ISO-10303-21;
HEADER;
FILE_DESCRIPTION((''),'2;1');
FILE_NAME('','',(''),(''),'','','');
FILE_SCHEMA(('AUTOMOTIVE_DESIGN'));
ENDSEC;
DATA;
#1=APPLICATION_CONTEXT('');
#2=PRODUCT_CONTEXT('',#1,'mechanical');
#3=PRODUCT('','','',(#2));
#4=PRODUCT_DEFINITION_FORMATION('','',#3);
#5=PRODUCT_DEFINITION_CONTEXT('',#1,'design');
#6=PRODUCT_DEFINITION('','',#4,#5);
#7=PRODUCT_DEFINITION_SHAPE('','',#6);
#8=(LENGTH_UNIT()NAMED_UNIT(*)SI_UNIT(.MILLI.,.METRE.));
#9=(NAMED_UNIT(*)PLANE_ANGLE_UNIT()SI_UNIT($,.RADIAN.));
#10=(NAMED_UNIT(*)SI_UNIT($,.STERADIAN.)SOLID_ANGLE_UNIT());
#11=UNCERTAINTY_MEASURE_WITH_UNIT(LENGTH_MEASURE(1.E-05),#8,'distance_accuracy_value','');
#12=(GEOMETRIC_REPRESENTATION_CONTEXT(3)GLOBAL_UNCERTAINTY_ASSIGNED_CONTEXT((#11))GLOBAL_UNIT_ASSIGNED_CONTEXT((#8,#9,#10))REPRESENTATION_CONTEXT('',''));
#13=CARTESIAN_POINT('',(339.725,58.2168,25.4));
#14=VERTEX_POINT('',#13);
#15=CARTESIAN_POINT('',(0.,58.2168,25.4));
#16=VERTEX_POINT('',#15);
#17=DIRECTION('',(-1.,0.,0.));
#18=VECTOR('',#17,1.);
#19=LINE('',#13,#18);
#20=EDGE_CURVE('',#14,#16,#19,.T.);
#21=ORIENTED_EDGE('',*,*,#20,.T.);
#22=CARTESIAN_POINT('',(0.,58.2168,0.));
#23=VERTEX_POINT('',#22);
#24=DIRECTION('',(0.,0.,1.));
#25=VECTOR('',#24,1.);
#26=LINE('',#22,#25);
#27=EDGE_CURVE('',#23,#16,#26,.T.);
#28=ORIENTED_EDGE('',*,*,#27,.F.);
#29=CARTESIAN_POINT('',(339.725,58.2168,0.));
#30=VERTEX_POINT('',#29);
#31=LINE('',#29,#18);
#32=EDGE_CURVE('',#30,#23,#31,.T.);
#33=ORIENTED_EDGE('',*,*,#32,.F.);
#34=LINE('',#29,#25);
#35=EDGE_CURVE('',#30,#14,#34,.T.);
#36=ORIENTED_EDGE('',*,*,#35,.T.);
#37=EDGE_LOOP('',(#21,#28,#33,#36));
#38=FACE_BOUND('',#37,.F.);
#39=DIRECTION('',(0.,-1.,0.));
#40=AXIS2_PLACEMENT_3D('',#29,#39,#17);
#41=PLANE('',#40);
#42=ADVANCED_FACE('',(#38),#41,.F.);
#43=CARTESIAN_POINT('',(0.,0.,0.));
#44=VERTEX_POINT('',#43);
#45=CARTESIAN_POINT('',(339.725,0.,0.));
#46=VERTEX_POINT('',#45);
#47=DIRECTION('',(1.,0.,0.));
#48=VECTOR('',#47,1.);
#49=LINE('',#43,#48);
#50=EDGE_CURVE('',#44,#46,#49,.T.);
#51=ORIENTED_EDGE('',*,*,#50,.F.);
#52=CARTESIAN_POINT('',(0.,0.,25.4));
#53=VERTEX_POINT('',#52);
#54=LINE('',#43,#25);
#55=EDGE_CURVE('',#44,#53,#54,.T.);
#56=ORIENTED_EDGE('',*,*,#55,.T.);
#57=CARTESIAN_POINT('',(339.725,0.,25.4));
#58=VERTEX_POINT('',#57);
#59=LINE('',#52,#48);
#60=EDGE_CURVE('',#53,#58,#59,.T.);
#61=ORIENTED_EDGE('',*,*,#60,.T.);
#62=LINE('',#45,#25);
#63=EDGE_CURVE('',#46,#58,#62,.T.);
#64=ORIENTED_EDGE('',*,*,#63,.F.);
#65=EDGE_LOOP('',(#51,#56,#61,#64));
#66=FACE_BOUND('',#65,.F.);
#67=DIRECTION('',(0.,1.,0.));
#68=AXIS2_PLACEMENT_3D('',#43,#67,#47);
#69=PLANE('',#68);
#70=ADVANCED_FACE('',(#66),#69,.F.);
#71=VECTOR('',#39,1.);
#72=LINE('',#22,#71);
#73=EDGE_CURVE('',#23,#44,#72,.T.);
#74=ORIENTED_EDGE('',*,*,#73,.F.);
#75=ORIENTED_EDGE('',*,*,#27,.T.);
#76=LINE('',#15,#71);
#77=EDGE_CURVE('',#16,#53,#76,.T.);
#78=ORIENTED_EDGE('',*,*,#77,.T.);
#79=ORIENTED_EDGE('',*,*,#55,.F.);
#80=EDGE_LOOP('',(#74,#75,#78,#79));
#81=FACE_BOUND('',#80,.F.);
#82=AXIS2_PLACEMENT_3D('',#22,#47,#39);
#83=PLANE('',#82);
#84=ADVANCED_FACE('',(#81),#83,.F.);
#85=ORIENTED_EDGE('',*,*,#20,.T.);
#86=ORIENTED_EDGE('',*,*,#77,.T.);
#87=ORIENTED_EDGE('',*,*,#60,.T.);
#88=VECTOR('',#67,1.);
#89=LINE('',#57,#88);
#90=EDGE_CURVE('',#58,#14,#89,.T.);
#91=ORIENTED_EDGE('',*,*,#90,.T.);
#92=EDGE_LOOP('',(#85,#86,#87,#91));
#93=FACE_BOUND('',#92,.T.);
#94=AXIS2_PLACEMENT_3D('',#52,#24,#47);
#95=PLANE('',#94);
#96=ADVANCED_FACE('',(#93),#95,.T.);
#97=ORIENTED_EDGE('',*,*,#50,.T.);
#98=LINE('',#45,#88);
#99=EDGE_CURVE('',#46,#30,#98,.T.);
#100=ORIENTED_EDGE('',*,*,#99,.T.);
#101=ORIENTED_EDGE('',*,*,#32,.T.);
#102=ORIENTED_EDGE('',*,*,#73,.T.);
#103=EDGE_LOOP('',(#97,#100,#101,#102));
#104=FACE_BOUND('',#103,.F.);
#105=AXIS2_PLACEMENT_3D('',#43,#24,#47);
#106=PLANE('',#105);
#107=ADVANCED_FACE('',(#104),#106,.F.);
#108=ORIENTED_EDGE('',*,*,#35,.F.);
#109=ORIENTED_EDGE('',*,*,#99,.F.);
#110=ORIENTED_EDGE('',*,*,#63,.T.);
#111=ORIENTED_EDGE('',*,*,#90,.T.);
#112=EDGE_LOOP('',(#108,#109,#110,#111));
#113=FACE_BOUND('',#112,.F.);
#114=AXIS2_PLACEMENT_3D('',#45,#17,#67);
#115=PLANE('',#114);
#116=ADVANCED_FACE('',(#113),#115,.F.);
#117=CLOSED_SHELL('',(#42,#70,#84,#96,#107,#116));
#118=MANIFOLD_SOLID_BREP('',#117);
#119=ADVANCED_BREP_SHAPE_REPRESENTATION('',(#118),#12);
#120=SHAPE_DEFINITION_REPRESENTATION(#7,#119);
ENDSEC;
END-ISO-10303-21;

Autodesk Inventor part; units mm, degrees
ref_plane "YZ Plane" through (0, 0, 0) normal (1, 0, 0) x (0, 1, 0)
ref_plane "XZ Plane" through (0, 0, 0) normal (0, 1, 0) x (-1, 0, 0)
ref_plane "XY Plane" through (0, 0, 0) normal (0, 0, 1) x (1, 0, 0)
sketch "Sketch1" plane through (0, 0, 0) normal (0, 0, 1) x (1, 0, 0)
  line L0 (0, 0) -> (339.725, 0)
  line L1 (339.725, 0) -> (339.725, 58.2168)
  line L2 (339.725, 58.2168) -> (0, 58.2168)
  line L3 (0, 58.2168) -> (0, 0)
  dimension "d0" = 339.725
  dimension "d1" = 58.2168
extrude "Extrusion1" add sketch "Sketch1" along normal blind 25.4
properties part number "Spacer Rear 2"
